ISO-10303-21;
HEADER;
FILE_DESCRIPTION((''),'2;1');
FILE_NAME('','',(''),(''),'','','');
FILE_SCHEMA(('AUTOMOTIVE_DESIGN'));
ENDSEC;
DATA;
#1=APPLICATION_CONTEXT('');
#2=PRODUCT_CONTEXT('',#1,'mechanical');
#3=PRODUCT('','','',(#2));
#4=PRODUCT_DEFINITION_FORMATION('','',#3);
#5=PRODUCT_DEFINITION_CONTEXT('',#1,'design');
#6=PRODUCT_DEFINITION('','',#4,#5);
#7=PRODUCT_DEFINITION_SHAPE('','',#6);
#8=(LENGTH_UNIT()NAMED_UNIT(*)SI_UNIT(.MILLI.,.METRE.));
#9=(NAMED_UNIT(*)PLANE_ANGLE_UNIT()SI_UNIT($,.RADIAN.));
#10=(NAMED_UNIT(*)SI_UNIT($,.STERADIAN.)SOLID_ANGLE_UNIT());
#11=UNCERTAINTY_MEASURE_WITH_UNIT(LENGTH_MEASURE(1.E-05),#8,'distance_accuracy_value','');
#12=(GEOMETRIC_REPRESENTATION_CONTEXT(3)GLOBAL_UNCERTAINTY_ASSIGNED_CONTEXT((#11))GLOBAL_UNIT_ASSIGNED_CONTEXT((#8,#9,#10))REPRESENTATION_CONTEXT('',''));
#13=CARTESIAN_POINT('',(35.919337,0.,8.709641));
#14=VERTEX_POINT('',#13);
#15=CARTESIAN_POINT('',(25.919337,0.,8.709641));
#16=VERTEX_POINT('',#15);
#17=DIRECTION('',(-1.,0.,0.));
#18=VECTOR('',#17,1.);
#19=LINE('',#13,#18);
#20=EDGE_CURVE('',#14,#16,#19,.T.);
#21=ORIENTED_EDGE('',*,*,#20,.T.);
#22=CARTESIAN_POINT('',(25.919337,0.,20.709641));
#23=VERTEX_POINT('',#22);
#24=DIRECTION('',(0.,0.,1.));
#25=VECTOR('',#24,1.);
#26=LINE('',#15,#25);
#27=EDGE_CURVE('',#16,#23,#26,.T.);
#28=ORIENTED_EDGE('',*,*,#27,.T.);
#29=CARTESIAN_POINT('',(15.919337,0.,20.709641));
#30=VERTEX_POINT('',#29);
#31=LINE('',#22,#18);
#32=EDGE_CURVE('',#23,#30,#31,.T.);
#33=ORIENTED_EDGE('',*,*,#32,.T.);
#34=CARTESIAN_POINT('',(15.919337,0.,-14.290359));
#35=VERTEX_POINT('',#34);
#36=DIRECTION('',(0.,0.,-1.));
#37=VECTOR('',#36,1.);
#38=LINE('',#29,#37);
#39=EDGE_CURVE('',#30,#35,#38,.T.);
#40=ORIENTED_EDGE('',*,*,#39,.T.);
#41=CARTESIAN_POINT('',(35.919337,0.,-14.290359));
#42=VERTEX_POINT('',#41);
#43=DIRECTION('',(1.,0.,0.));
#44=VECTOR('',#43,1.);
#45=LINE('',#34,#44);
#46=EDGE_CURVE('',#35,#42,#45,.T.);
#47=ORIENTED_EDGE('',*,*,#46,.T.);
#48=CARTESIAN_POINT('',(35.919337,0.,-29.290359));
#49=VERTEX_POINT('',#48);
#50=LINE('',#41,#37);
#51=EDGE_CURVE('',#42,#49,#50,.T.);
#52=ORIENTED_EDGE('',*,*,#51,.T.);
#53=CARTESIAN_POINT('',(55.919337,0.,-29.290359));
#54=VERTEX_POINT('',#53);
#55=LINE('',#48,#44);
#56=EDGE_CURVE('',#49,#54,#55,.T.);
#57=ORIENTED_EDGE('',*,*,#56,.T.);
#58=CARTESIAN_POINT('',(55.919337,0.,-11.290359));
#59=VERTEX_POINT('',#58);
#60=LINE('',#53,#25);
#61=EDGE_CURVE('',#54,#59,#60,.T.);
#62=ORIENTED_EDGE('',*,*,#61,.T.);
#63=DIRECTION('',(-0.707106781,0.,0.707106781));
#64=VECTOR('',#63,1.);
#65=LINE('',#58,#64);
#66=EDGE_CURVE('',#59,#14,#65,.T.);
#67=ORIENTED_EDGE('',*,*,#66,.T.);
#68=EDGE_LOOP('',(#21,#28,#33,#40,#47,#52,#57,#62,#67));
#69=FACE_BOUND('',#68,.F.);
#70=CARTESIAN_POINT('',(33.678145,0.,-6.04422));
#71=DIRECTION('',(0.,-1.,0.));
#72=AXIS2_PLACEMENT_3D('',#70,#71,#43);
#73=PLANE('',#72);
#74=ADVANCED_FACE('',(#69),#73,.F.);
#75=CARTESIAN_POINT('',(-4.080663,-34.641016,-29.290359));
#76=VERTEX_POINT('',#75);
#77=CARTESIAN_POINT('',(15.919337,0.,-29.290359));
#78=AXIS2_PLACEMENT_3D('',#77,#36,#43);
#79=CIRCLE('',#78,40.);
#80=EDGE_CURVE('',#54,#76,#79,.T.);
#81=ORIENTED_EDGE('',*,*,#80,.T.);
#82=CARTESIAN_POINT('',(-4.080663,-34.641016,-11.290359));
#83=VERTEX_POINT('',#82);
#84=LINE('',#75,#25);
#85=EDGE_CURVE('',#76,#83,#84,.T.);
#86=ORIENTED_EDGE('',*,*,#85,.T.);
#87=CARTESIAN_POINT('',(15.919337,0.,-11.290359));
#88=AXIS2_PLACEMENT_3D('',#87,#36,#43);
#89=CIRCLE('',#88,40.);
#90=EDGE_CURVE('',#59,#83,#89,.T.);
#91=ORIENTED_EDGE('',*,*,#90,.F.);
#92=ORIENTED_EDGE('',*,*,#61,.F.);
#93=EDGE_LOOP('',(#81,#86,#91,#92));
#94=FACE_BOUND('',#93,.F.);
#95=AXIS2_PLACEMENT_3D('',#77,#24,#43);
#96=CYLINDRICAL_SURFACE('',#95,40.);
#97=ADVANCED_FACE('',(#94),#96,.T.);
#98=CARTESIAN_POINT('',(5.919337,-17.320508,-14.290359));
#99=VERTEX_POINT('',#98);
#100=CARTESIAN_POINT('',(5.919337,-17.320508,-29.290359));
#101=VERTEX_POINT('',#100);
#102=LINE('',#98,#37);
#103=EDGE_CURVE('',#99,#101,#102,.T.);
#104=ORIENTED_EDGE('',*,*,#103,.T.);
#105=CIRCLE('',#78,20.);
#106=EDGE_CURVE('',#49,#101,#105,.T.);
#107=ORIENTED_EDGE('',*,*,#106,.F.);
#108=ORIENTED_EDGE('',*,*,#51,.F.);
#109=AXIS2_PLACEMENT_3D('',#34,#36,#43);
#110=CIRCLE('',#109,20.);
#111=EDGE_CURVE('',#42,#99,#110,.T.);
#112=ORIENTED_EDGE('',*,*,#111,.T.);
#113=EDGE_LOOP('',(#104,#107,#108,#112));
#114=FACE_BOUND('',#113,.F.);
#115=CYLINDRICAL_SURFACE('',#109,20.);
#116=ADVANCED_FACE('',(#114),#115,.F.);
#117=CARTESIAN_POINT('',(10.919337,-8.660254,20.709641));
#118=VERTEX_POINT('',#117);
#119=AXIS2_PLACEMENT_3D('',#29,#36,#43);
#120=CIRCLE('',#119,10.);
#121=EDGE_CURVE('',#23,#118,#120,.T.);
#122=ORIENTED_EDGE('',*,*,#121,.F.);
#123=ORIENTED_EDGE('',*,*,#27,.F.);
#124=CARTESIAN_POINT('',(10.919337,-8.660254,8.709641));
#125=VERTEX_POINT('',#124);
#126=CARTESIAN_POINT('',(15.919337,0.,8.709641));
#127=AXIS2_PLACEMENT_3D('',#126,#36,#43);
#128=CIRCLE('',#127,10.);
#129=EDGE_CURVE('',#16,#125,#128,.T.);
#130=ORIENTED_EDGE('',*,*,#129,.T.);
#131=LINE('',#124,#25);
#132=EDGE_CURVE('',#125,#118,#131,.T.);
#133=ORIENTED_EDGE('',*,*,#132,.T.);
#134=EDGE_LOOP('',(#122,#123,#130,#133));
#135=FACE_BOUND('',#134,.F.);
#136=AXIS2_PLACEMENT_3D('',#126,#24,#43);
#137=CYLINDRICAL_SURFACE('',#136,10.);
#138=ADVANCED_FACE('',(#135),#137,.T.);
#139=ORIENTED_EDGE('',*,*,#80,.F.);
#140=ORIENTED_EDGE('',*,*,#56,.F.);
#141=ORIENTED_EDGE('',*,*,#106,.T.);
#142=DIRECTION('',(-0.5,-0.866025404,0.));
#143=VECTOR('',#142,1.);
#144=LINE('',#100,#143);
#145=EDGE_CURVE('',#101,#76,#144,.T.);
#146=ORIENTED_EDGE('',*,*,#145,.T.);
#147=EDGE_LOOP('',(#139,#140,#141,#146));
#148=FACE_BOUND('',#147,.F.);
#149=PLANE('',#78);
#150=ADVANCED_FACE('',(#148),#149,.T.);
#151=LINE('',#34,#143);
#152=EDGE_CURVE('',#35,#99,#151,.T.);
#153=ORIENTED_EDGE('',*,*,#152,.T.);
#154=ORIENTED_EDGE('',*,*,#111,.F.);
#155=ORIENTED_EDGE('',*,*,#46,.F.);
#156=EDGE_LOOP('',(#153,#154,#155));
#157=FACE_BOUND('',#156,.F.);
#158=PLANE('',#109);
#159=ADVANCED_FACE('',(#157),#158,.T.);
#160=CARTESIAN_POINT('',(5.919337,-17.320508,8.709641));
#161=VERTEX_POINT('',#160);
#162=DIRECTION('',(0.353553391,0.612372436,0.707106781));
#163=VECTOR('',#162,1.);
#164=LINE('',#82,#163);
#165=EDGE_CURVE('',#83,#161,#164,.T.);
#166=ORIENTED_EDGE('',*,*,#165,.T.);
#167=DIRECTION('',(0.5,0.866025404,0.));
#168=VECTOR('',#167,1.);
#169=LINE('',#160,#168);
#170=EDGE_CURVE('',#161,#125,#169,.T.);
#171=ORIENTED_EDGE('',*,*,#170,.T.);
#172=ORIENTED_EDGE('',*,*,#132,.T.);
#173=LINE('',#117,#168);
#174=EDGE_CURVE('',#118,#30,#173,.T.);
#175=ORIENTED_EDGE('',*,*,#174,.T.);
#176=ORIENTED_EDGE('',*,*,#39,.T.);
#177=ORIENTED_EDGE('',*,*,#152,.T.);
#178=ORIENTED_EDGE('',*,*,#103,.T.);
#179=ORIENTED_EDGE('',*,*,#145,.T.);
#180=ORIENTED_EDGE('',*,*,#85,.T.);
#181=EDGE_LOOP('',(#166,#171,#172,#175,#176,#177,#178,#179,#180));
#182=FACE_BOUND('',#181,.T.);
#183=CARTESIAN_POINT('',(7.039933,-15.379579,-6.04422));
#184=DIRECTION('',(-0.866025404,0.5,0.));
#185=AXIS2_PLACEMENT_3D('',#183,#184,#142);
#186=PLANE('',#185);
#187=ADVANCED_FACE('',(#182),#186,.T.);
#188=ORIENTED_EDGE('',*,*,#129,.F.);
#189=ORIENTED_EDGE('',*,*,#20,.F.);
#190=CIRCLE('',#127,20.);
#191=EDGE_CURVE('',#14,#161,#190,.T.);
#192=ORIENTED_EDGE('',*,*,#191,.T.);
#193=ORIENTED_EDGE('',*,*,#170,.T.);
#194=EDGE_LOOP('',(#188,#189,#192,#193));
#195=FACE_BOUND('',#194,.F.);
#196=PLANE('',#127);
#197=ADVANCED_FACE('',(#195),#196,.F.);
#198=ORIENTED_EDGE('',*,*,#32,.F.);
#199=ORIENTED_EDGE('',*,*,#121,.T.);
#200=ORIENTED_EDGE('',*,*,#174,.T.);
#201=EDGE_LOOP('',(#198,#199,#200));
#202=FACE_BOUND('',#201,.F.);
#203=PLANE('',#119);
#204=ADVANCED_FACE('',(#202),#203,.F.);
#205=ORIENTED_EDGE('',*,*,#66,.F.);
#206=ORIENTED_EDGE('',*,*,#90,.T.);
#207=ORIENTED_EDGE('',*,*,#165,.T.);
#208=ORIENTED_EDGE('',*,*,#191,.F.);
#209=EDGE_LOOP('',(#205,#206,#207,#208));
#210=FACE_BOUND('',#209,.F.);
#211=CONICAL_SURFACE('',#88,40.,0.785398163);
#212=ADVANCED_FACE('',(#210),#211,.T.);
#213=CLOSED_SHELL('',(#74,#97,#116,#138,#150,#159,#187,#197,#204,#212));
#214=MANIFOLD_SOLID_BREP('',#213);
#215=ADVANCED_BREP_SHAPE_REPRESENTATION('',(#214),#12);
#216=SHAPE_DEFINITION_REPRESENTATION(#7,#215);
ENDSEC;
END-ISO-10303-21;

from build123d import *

# Parameters (mm, degrees)
F1_ANGLE = 120


with BuildPart() as f1:
    # F0 (on Front) → F1 (revolve)
    with BuildSketch(Plane.XZ):
        Polygon((25.919337, 20.709641), (15.919337, 20.709641), (15.919337, -14.290359), (35.919337, -14.290359), (35.919337, -29.290359), (55.919337, -29.290359), (55.919337, -11.290359), (35.919337, 8.709641), (25.919337, 8.709641), align=None)
    revolve(axis=Axis((15.919337, 0, 3.209641), (0, 0, -1)), revolution_arc=F1_ANGLE)


solid = f1.part
